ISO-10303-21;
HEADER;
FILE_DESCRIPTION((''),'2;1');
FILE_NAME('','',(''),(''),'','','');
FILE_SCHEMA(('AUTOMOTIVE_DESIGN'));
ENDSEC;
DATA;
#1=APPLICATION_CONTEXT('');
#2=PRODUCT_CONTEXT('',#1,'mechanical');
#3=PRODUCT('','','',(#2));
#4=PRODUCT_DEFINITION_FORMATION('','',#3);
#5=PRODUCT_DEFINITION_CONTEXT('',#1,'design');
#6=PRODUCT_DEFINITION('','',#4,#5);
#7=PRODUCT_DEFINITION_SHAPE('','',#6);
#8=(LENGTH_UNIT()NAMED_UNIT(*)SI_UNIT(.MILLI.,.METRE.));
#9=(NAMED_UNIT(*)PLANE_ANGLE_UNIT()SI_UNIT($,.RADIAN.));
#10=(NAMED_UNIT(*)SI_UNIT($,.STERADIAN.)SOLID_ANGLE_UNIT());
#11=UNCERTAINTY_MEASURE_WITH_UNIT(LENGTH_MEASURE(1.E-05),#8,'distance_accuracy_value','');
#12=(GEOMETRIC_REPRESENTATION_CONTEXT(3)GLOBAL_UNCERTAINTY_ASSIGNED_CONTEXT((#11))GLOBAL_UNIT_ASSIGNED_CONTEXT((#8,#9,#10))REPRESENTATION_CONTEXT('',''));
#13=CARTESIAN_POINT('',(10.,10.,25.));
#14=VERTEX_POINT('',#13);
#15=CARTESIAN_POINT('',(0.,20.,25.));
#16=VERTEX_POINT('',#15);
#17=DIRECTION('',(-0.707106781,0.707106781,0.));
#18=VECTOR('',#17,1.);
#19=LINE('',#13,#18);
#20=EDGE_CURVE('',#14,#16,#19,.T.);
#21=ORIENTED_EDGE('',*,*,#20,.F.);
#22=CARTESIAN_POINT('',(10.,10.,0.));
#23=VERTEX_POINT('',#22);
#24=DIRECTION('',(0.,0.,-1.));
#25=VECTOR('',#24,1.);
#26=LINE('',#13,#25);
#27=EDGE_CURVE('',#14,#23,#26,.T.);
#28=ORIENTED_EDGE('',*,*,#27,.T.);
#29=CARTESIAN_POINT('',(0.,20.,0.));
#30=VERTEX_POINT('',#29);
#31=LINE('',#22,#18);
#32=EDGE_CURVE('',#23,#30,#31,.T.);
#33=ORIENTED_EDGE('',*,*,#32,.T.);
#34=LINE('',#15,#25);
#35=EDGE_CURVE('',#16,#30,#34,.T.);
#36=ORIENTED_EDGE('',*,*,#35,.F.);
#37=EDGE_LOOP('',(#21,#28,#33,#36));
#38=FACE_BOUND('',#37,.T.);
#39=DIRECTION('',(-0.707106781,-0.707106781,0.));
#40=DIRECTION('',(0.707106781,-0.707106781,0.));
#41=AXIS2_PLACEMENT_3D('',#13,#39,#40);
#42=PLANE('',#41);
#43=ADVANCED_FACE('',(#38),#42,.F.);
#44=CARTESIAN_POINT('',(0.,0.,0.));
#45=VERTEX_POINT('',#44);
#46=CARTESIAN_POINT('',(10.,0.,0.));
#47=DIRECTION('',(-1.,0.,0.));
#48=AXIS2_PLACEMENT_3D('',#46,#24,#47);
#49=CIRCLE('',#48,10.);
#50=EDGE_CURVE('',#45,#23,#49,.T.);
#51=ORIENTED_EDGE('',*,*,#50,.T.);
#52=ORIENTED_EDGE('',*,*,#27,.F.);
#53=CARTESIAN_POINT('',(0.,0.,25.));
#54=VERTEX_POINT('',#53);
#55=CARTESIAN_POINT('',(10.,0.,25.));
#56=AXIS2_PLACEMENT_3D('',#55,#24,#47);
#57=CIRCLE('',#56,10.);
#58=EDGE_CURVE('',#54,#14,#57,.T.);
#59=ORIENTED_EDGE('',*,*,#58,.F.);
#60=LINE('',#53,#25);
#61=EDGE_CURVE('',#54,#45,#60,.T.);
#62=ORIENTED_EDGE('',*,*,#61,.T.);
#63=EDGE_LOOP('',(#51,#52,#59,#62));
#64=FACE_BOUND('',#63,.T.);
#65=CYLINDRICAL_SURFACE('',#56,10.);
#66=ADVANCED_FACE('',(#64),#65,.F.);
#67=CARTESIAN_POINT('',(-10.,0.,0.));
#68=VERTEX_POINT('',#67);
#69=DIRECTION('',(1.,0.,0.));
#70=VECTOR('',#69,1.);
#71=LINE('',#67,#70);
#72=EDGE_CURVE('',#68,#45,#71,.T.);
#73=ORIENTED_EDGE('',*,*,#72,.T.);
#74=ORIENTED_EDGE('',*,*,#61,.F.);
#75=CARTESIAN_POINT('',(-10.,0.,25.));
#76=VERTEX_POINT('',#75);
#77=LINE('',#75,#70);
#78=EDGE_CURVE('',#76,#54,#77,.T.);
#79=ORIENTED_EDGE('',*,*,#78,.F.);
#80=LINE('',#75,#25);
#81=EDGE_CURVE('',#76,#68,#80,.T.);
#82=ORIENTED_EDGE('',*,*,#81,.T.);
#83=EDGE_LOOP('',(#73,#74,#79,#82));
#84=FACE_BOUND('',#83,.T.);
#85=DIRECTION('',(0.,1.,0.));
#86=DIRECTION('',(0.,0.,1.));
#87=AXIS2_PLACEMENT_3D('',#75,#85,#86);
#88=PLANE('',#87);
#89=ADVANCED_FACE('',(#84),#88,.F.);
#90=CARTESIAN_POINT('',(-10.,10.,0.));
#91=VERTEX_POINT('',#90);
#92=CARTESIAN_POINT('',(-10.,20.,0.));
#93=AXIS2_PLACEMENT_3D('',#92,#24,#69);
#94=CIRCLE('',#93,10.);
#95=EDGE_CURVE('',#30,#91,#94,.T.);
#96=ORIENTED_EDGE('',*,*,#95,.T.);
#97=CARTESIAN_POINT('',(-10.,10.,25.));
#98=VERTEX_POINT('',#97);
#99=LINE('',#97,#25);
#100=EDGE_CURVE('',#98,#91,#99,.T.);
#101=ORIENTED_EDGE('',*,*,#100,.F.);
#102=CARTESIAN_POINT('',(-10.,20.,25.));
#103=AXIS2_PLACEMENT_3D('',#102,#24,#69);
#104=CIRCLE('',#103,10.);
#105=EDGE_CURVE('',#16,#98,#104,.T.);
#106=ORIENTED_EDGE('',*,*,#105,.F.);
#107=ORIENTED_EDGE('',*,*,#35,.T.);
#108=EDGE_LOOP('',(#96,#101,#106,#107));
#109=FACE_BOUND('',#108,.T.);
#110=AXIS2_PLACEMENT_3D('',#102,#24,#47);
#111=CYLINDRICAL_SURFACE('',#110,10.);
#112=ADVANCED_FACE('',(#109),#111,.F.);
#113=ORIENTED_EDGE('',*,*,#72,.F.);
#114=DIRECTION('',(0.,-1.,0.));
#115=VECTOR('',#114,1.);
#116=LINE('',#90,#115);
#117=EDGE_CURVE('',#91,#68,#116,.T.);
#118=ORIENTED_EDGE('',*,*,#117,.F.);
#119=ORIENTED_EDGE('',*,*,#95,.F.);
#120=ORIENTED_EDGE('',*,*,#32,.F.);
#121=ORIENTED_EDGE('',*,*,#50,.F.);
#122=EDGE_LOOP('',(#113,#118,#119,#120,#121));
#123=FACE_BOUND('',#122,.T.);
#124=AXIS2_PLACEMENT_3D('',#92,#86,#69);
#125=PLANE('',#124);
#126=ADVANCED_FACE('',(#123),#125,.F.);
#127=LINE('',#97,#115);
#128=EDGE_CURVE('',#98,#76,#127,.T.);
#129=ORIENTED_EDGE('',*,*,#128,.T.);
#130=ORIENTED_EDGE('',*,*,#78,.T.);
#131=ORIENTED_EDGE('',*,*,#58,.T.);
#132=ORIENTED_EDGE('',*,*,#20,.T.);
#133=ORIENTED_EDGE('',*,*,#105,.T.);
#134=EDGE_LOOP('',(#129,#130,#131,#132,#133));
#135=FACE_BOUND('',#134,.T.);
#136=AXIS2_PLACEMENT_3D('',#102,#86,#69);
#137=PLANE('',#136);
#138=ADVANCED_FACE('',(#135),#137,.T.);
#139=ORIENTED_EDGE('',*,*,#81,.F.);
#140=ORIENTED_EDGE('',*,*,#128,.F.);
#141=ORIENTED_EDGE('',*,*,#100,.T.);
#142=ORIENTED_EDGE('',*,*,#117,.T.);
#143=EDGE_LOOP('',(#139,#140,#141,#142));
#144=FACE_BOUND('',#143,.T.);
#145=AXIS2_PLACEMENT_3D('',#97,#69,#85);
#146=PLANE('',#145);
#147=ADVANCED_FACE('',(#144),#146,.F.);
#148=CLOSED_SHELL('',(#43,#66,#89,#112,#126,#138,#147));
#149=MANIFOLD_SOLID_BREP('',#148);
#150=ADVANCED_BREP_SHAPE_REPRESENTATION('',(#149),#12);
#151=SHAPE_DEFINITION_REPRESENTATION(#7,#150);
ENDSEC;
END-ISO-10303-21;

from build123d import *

# Parameters (mm, degrees)
BOSS_EXTRUDE1_DEPTH = 25


with BuildPart() as part:
    # Sketch1 → Boss-Extrude1 (new body)
    with BuildSketch(Plane.XY):
        with BuildLine():
            Line((-10, 10), (-10, 0))
            Line((-10, 0), (0, 0))
            ThreePointArc((0, 0), (2.928932188, 7.071067812), (10, 10))
            Line((10, 10), (0, 20))
            ThreePointArc((0, 20), (-2.928932188, 12.928932188), (-10, 10))
        make_face()
    extrude(amount=BOSS_EXTRUDE1_DEPTH)


solid = part.part
